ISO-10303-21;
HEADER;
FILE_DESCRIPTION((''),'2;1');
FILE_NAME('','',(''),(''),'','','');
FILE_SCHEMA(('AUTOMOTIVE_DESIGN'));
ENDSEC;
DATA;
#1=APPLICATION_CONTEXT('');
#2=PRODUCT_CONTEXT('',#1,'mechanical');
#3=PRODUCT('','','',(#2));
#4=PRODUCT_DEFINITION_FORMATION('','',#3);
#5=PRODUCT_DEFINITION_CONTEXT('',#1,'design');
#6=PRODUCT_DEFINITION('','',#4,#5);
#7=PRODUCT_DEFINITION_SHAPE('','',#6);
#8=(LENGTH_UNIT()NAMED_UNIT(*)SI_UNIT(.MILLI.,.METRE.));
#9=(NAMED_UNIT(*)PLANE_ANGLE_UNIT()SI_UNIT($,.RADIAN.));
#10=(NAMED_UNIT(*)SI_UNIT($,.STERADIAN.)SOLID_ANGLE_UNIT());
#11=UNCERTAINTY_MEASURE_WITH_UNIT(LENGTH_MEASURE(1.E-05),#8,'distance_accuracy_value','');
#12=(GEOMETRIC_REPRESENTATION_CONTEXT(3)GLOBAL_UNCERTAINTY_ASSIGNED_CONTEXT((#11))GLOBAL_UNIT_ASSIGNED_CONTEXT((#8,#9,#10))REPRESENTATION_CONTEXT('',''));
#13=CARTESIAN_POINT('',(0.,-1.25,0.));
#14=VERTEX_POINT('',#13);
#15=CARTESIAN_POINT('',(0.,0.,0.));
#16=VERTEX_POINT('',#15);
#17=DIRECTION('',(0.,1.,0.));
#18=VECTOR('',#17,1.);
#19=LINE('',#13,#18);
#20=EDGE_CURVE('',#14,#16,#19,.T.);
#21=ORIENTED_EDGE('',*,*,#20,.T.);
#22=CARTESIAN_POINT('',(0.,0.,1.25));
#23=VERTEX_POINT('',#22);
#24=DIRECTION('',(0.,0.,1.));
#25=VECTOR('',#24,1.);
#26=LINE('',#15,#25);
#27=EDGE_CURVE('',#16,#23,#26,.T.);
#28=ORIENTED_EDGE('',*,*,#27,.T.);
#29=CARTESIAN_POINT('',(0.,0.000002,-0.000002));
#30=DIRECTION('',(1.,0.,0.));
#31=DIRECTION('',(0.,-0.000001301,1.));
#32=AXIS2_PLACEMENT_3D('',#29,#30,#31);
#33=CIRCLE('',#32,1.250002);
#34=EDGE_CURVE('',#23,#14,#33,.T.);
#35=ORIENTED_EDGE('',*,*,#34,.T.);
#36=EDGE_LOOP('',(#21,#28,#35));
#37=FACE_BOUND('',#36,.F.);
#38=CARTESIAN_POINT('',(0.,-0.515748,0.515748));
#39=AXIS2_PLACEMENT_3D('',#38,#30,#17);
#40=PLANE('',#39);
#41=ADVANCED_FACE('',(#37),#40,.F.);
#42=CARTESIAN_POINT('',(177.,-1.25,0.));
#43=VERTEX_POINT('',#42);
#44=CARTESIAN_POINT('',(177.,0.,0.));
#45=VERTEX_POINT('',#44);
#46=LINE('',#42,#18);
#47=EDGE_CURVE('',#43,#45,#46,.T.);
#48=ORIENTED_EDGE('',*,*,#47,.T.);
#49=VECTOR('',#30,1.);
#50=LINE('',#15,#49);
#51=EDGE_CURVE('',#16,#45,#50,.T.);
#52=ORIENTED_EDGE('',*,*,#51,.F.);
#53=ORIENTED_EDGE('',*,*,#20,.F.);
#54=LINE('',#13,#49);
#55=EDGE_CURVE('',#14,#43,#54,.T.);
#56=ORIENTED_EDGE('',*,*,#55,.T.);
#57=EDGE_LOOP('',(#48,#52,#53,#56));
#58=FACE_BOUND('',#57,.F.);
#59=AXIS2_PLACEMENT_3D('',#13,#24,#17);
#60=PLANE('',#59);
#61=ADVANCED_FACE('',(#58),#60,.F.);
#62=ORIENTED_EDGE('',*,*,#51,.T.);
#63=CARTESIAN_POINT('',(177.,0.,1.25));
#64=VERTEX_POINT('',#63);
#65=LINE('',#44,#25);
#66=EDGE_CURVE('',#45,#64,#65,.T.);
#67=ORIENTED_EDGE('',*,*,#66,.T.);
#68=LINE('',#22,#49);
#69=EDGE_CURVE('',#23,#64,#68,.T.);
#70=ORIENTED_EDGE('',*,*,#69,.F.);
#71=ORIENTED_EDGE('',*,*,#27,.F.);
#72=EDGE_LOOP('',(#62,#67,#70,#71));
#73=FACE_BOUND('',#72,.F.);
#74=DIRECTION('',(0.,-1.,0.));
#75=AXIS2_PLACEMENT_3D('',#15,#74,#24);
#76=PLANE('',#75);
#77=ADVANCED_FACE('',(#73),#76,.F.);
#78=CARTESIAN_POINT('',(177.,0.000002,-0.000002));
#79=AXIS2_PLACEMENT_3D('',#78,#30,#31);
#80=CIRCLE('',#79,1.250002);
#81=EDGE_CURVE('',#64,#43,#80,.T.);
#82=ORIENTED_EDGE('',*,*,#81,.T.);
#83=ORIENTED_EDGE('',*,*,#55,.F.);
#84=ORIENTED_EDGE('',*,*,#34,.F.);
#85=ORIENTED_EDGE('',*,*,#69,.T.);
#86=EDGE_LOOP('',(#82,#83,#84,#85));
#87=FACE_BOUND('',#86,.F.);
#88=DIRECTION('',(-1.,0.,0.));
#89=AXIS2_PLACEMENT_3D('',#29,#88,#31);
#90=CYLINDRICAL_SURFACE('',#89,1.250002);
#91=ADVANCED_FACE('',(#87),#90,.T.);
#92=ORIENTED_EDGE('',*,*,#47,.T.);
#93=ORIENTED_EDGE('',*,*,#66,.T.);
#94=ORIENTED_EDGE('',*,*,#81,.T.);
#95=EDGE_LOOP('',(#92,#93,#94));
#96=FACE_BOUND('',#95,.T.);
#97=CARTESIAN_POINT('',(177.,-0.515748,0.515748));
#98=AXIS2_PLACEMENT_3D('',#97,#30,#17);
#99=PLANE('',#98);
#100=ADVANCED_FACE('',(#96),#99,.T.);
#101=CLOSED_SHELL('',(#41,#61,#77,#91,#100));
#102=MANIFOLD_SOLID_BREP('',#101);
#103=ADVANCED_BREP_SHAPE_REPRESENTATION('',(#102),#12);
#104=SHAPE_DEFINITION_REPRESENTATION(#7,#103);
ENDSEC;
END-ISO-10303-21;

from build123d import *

# Parameters (mm, degrees)
F1_DEPTH = 177


with BuildPart() as f1:
    # F0 (on Right) → F1 (new body)
    with BuildSketch(Plane.YZ):
        with BuildLine():
            Line((0, 0), (0, 1.25))
            ThreePointArc((0, 1.25), (-0.883883, 0.883883), (-1.25, 0))
            Line((-1.25, 0), (0, 0))
        make_face()
    extrude(amount=F1_DEPTH)


solid = f1.part
